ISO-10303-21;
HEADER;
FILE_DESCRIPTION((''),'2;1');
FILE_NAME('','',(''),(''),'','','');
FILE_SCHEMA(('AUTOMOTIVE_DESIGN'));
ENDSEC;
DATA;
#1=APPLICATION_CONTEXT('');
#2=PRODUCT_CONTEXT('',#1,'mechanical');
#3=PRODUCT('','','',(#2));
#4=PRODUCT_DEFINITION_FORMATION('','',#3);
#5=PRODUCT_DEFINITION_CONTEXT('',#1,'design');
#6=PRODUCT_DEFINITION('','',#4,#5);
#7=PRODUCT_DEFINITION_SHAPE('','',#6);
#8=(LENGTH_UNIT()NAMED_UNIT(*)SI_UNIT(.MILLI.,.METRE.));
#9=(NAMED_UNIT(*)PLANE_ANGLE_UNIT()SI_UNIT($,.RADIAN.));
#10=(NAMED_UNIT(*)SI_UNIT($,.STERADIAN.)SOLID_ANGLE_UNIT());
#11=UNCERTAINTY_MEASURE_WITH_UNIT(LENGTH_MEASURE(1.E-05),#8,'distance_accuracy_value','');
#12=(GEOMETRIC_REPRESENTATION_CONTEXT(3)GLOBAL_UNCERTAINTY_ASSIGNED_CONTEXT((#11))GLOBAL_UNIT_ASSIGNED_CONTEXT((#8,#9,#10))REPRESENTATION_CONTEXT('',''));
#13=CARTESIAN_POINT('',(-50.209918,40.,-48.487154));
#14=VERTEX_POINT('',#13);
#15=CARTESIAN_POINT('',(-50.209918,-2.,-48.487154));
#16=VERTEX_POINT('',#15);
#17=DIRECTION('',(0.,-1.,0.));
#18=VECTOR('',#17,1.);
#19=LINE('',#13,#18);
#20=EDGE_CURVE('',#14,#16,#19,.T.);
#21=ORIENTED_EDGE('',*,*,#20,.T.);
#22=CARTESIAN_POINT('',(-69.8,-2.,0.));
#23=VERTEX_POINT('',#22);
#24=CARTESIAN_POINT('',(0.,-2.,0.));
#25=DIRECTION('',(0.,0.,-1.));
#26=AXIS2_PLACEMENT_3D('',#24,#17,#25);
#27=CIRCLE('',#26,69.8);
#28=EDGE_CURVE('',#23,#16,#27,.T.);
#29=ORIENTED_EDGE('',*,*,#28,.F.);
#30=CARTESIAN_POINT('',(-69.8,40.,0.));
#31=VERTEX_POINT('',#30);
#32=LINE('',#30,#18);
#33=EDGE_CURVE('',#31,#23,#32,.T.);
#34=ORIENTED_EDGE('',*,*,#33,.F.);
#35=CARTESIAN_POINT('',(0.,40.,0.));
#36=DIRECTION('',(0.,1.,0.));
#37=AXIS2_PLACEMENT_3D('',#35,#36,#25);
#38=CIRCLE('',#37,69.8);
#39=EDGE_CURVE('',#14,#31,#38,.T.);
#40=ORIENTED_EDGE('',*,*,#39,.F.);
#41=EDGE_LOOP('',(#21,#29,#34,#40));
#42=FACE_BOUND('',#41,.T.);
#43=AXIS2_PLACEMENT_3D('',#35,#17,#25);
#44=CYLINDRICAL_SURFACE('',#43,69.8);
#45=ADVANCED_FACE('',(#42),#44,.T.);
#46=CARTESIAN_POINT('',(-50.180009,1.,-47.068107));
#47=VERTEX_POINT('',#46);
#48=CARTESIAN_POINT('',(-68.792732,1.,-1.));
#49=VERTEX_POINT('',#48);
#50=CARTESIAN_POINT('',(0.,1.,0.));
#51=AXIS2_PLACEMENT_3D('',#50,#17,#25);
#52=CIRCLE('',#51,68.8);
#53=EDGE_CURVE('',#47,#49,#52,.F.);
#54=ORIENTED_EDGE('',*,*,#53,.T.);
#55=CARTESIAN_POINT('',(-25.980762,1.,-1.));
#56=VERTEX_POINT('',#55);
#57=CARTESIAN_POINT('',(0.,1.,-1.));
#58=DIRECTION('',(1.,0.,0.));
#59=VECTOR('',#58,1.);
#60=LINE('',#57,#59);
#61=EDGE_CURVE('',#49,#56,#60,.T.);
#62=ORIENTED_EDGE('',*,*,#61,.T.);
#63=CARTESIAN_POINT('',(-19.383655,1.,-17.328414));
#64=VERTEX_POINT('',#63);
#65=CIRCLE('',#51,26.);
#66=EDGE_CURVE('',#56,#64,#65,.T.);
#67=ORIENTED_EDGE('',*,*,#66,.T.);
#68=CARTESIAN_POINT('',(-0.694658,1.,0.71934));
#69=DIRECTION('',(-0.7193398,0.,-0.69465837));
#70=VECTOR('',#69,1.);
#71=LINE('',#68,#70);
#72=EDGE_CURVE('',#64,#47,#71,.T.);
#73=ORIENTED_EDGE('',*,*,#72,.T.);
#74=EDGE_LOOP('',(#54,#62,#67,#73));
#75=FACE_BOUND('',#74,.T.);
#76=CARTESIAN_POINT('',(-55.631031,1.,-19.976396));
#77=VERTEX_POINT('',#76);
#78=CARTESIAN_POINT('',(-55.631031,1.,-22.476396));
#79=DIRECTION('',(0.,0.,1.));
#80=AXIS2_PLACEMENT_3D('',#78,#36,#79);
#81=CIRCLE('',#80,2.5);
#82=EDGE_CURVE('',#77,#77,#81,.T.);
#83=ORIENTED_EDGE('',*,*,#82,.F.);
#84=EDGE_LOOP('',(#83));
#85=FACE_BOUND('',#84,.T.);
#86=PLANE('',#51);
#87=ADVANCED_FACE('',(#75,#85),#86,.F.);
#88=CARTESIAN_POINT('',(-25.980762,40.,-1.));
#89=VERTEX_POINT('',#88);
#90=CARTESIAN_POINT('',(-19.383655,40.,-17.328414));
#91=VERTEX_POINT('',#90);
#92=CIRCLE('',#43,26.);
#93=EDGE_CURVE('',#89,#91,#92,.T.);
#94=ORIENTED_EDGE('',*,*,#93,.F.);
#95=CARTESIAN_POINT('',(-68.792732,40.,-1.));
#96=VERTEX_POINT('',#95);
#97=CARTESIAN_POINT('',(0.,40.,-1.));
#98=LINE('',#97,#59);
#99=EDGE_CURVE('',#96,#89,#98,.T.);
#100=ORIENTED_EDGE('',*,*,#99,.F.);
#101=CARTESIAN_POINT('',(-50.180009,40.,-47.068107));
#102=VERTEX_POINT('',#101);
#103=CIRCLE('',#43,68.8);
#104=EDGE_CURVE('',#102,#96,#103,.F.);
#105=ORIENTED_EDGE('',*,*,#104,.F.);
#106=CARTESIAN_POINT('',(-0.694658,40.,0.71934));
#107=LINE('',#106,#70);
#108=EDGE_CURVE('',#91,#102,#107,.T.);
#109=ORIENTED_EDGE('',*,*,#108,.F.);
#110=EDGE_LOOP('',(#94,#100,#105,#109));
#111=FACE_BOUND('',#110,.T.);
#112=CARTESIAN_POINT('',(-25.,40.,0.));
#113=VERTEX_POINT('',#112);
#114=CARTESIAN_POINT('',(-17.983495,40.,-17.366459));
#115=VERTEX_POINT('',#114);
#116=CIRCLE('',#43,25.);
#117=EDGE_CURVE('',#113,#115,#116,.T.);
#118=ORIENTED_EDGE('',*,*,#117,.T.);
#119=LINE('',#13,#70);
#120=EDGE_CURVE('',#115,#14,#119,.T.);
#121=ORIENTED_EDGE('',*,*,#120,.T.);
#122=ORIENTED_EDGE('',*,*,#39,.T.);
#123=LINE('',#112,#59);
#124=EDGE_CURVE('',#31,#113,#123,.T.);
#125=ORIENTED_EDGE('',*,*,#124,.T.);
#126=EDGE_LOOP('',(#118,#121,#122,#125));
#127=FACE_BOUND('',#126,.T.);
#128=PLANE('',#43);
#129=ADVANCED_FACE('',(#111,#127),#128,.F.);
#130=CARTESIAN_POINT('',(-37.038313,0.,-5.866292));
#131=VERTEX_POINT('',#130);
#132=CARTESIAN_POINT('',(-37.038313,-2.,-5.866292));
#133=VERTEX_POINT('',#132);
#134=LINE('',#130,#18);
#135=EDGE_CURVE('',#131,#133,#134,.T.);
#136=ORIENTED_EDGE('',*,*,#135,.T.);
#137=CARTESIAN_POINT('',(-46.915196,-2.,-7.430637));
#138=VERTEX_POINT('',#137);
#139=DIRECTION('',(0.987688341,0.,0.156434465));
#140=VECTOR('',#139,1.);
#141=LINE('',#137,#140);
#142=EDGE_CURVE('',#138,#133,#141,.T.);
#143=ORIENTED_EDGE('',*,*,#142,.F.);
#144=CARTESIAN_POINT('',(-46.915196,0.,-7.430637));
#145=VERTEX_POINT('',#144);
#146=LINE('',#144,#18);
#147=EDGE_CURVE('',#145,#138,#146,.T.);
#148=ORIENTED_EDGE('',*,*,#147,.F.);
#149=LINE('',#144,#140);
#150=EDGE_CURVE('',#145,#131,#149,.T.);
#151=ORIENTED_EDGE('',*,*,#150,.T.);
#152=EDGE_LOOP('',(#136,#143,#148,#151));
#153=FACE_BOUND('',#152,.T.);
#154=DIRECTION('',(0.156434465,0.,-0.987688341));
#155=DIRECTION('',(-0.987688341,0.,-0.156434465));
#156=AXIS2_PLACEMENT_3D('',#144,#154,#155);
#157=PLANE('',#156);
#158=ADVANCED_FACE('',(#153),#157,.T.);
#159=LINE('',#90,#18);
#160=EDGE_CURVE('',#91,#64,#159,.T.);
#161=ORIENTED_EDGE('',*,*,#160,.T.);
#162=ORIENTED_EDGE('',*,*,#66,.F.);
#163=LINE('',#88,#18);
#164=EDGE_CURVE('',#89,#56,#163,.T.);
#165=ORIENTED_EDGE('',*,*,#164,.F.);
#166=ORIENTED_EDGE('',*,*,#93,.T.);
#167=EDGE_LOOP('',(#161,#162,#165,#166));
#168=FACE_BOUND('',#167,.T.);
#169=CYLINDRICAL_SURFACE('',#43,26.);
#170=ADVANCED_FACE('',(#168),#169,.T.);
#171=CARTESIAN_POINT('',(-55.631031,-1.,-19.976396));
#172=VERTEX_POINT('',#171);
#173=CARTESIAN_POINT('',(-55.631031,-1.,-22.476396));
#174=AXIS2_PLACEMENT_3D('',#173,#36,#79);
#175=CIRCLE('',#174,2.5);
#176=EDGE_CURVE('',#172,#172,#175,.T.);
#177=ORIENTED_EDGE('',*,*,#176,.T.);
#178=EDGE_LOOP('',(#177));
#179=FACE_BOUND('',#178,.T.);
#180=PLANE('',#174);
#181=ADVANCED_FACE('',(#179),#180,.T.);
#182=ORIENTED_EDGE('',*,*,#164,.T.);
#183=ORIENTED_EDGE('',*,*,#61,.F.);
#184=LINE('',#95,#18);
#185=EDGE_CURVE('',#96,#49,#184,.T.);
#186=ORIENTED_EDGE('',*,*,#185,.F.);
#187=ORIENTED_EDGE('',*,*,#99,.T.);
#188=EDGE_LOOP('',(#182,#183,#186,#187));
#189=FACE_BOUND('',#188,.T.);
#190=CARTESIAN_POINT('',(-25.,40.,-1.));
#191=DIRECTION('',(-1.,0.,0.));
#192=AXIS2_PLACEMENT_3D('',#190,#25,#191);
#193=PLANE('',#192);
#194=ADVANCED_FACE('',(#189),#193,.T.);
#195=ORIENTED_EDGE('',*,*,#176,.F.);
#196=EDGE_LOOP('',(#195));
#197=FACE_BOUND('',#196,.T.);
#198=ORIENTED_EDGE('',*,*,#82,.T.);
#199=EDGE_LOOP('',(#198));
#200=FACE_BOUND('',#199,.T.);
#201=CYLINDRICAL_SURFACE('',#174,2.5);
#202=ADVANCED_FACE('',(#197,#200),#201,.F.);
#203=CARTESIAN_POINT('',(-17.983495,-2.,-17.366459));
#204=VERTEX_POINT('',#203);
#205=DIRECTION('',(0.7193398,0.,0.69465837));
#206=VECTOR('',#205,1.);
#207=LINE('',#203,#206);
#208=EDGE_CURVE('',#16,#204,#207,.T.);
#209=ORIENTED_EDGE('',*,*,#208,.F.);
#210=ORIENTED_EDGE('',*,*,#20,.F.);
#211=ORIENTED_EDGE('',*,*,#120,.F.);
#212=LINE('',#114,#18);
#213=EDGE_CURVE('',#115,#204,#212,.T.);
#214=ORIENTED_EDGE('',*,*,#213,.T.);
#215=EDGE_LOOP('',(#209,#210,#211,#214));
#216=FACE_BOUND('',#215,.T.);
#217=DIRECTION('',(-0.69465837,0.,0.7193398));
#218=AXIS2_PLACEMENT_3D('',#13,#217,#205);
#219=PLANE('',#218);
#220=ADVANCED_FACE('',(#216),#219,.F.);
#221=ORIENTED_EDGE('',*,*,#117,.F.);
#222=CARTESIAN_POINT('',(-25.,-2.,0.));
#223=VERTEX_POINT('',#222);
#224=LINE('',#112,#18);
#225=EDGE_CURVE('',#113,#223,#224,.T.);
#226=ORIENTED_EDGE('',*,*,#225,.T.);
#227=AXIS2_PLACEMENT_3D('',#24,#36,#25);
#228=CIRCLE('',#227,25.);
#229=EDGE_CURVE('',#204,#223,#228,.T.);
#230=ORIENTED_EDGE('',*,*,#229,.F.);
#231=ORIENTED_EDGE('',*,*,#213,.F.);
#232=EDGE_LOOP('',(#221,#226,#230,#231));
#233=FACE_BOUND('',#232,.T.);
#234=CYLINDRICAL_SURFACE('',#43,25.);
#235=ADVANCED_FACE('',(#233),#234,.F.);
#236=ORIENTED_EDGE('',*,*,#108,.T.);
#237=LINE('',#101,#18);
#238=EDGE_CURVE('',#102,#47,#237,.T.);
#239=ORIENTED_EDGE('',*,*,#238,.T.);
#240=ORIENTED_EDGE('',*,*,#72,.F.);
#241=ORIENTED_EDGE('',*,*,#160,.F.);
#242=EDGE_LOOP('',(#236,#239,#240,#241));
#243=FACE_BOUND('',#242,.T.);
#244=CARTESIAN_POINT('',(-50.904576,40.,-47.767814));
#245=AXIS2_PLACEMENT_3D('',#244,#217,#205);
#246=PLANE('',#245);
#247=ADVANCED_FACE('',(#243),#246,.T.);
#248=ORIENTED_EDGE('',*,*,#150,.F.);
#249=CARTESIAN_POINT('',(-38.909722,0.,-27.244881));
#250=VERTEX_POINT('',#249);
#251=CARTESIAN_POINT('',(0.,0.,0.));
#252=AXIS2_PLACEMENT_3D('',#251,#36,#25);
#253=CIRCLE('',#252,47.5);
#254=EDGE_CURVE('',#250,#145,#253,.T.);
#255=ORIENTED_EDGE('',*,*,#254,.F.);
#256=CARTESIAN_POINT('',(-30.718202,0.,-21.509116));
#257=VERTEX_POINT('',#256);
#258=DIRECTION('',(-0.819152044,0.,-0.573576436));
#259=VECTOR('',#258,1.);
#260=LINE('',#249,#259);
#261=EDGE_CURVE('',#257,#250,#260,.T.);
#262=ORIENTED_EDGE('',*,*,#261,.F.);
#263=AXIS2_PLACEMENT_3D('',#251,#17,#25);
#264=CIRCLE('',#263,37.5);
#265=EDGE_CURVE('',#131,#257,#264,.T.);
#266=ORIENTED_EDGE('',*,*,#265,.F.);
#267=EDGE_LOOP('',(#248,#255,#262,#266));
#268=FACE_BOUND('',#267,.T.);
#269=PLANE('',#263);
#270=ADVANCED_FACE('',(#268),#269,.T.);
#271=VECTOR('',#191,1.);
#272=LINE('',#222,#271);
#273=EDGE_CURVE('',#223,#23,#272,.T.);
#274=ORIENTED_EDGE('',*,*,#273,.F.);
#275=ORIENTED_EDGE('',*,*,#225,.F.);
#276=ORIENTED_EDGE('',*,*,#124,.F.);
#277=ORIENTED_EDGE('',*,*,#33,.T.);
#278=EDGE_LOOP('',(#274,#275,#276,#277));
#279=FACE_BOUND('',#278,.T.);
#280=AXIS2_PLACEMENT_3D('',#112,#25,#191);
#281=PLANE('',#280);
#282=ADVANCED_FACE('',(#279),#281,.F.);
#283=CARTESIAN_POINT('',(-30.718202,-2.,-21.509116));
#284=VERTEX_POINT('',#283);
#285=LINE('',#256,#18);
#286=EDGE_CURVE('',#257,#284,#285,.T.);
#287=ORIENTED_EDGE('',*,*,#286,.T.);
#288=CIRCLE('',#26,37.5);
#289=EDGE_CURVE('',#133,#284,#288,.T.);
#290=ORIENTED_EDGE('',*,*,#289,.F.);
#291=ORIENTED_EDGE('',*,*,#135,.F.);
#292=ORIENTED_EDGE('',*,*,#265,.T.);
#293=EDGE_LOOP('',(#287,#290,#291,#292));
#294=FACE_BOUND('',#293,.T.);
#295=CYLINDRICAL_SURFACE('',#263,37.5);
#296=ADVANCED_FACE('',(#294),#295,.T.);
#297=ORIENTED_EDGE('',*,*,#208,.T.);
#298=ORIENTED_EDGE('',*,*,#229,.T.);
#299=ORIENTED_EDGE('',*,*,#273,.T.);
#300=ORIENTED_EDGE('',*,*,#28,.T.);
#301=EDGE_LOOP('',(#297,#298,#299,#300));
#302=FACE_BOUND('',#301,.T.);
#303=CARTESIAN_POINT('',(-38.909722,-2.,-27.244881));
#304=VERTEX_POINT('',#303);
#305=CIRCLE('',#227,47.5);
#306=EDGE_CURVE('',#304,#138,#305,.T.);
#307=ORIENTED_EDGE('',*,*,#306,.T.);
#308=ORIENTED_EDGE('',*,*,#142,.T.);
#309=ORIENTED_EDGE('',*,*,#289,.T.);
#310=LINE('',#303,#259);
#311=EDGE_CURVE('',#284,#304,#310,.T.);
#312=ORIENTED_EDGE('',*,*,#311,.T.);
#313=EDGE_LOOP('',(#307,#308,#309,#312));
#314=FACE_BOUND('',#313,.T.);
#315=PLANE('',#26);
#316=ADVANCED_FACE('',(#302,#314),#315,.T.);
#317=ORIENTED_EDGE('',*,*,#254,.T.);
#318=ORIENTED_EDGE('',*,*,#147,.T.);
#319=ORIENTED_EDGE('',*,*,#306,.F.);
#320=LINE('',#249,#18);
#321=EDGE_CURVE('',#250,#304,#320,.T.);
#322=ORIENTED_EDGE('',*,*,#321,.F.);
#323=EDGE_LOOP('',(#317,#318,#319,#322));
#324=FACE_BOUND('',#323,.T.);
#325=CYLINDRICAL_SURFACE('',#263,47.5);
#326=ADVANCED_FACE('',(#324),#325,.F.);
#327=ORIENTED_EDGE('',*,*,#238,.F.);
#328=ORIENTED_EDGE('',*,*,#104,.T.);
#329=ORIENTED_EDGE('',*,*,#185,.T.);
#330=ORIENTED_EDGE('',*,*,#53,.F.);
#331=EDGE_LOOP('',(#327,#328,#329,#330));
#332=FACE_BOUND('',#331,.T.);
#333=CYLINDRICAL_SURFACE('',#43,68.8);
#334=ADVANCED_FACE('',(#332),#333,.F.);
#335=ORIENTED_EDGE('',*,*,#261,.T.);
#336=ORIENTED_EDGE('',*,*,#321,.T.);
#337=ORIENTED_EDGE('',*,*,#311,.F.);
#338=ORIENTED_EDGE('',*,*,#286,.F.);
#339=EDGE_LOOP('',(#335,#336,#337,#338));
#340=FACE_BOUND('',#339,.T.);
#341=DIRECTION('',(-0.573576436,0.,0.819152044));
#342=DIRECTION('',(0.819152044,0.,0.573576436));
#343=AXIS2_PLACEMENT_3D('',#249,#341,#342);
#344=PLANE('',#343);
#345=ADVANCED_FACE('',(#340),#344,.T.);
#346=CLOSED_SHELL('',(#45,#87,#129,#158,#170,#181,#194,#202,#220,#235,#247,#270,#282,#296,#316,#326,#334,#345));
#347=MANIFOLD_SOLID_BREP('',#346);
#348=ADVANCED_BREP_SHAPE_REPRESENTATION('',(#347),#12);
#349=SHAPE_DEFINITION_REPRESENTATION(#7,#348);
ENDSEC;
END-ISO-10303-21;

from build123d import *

# Parameters (mm, degrees)
SALIENTE_EXTRUIR1_DEPTH = 40
VACIADO1_T              = -1
SALIENTE_EXTRUIR3_START = 2
SALIENTE_EXTRUIR3_DEPTH = 2
CORTAR_EXTRUIR1_DEPTH   = 2
CROQUIS5_R              = 2.5
CORTAR_EXTRUIR2_DEPTH   = 2


with BuildPart() as part:
    # Croquis1 → Saliente-Extruir1 (new body)
    with BuildSketch(Plane(origin=(0, 0, 0), x_dir=(1, 0, 0), z_dir=(0, 1, 0))):
        with BuildLine():
            Line((-25, 0), (-69.8, 0))
            ThreePointArc((-69.8, 0), (-64.717433049, 26.14754022), (-50.209918064, 48.487154258))
            Line((-50.209918064, 48.487154258), (-17.983495008, 17.366459261))
            ThreePointArc((-17.983495008, 17.366459261), (-23.179596364, 9.365164835), (-25, 0))
        make_face()
    extrude(amount=SALIENTE_EXTRUIR1_DEPTH)

    # Vaciado1
    vaciado1_openings = [part.faces().sort_by_distance(p)[0] for p in [
        (-46.068338787, 40, -18.61281705),
    ]]
    offset(amount=VACIADO1_T, openings=vaciado1_openings, kind=Kind.INTERSECTION)

    # Croquis4 → Saliente-Extruir3 (add)
    with BuildSketch(Plane.XZ.offset(SALIENTE_EXTRUIR3_START)):
        with BuildLine():
            Line((-25, 0), (-69.8, 0))
            ThreePointArc((-69.8, 0), (-64.717433049, -26.14754022), (-50.209918064, -48.487154258))
            Line((-50.209918064, -48.487154258), (-17.983495008, -17.366459261))
            ThreePointArc((-17.983495008, -17.366459261), (-23.179596364, -9.365164835), (-25, 0))
        make_face()
    extrude(amount=-SALIENTE_EXTRUIR3_DEPTH)

    # Croquis2 → Cortar-Extruir1 (cut)
    with BuildSketch(Plane(origin=(0, -2, 0), x_dir=(1, 0, 0), z_dir=(0, 1, 0))):
        with BuildLine():
            Line((-38.909722104, 27.244880727), (-30.718201661, 21.509116363))
            ThreePointArc((-30.718201661, 21.509116363), (-34.769394546, 14.047747253), (-37.038312772, 5.866292439))
            Line((-37.038312772, 5.866292439), (-46.915196178, 7.430637089))
            ThreePointArc((-46.915196178, 7.430637089), (-44.041233092, 17.793813187), (-38.909722104, 27.244880727))
        make_face()
    extrude(amount=CORTAR_EXTRUIR1_DEPTH, mode=Mode.SUBTRACT)

    # Croquis5 → Cortar-Extruir2 (cut)
    with BuildSketch(Plane(origin=(0, 1, 0), x_dir=(1, 0, 0), z_dir=(0, 1, 0))):
        with Locations(Location((-55.631031274, 22.476395605, 0), (0, 0, 270))):
            Circle(CROQUIS5_R)
    extrude(amount=-CORTAR_EXTRUIR2_DEPTH, mode=Mode.SUBTRACT)


solid = part.part
